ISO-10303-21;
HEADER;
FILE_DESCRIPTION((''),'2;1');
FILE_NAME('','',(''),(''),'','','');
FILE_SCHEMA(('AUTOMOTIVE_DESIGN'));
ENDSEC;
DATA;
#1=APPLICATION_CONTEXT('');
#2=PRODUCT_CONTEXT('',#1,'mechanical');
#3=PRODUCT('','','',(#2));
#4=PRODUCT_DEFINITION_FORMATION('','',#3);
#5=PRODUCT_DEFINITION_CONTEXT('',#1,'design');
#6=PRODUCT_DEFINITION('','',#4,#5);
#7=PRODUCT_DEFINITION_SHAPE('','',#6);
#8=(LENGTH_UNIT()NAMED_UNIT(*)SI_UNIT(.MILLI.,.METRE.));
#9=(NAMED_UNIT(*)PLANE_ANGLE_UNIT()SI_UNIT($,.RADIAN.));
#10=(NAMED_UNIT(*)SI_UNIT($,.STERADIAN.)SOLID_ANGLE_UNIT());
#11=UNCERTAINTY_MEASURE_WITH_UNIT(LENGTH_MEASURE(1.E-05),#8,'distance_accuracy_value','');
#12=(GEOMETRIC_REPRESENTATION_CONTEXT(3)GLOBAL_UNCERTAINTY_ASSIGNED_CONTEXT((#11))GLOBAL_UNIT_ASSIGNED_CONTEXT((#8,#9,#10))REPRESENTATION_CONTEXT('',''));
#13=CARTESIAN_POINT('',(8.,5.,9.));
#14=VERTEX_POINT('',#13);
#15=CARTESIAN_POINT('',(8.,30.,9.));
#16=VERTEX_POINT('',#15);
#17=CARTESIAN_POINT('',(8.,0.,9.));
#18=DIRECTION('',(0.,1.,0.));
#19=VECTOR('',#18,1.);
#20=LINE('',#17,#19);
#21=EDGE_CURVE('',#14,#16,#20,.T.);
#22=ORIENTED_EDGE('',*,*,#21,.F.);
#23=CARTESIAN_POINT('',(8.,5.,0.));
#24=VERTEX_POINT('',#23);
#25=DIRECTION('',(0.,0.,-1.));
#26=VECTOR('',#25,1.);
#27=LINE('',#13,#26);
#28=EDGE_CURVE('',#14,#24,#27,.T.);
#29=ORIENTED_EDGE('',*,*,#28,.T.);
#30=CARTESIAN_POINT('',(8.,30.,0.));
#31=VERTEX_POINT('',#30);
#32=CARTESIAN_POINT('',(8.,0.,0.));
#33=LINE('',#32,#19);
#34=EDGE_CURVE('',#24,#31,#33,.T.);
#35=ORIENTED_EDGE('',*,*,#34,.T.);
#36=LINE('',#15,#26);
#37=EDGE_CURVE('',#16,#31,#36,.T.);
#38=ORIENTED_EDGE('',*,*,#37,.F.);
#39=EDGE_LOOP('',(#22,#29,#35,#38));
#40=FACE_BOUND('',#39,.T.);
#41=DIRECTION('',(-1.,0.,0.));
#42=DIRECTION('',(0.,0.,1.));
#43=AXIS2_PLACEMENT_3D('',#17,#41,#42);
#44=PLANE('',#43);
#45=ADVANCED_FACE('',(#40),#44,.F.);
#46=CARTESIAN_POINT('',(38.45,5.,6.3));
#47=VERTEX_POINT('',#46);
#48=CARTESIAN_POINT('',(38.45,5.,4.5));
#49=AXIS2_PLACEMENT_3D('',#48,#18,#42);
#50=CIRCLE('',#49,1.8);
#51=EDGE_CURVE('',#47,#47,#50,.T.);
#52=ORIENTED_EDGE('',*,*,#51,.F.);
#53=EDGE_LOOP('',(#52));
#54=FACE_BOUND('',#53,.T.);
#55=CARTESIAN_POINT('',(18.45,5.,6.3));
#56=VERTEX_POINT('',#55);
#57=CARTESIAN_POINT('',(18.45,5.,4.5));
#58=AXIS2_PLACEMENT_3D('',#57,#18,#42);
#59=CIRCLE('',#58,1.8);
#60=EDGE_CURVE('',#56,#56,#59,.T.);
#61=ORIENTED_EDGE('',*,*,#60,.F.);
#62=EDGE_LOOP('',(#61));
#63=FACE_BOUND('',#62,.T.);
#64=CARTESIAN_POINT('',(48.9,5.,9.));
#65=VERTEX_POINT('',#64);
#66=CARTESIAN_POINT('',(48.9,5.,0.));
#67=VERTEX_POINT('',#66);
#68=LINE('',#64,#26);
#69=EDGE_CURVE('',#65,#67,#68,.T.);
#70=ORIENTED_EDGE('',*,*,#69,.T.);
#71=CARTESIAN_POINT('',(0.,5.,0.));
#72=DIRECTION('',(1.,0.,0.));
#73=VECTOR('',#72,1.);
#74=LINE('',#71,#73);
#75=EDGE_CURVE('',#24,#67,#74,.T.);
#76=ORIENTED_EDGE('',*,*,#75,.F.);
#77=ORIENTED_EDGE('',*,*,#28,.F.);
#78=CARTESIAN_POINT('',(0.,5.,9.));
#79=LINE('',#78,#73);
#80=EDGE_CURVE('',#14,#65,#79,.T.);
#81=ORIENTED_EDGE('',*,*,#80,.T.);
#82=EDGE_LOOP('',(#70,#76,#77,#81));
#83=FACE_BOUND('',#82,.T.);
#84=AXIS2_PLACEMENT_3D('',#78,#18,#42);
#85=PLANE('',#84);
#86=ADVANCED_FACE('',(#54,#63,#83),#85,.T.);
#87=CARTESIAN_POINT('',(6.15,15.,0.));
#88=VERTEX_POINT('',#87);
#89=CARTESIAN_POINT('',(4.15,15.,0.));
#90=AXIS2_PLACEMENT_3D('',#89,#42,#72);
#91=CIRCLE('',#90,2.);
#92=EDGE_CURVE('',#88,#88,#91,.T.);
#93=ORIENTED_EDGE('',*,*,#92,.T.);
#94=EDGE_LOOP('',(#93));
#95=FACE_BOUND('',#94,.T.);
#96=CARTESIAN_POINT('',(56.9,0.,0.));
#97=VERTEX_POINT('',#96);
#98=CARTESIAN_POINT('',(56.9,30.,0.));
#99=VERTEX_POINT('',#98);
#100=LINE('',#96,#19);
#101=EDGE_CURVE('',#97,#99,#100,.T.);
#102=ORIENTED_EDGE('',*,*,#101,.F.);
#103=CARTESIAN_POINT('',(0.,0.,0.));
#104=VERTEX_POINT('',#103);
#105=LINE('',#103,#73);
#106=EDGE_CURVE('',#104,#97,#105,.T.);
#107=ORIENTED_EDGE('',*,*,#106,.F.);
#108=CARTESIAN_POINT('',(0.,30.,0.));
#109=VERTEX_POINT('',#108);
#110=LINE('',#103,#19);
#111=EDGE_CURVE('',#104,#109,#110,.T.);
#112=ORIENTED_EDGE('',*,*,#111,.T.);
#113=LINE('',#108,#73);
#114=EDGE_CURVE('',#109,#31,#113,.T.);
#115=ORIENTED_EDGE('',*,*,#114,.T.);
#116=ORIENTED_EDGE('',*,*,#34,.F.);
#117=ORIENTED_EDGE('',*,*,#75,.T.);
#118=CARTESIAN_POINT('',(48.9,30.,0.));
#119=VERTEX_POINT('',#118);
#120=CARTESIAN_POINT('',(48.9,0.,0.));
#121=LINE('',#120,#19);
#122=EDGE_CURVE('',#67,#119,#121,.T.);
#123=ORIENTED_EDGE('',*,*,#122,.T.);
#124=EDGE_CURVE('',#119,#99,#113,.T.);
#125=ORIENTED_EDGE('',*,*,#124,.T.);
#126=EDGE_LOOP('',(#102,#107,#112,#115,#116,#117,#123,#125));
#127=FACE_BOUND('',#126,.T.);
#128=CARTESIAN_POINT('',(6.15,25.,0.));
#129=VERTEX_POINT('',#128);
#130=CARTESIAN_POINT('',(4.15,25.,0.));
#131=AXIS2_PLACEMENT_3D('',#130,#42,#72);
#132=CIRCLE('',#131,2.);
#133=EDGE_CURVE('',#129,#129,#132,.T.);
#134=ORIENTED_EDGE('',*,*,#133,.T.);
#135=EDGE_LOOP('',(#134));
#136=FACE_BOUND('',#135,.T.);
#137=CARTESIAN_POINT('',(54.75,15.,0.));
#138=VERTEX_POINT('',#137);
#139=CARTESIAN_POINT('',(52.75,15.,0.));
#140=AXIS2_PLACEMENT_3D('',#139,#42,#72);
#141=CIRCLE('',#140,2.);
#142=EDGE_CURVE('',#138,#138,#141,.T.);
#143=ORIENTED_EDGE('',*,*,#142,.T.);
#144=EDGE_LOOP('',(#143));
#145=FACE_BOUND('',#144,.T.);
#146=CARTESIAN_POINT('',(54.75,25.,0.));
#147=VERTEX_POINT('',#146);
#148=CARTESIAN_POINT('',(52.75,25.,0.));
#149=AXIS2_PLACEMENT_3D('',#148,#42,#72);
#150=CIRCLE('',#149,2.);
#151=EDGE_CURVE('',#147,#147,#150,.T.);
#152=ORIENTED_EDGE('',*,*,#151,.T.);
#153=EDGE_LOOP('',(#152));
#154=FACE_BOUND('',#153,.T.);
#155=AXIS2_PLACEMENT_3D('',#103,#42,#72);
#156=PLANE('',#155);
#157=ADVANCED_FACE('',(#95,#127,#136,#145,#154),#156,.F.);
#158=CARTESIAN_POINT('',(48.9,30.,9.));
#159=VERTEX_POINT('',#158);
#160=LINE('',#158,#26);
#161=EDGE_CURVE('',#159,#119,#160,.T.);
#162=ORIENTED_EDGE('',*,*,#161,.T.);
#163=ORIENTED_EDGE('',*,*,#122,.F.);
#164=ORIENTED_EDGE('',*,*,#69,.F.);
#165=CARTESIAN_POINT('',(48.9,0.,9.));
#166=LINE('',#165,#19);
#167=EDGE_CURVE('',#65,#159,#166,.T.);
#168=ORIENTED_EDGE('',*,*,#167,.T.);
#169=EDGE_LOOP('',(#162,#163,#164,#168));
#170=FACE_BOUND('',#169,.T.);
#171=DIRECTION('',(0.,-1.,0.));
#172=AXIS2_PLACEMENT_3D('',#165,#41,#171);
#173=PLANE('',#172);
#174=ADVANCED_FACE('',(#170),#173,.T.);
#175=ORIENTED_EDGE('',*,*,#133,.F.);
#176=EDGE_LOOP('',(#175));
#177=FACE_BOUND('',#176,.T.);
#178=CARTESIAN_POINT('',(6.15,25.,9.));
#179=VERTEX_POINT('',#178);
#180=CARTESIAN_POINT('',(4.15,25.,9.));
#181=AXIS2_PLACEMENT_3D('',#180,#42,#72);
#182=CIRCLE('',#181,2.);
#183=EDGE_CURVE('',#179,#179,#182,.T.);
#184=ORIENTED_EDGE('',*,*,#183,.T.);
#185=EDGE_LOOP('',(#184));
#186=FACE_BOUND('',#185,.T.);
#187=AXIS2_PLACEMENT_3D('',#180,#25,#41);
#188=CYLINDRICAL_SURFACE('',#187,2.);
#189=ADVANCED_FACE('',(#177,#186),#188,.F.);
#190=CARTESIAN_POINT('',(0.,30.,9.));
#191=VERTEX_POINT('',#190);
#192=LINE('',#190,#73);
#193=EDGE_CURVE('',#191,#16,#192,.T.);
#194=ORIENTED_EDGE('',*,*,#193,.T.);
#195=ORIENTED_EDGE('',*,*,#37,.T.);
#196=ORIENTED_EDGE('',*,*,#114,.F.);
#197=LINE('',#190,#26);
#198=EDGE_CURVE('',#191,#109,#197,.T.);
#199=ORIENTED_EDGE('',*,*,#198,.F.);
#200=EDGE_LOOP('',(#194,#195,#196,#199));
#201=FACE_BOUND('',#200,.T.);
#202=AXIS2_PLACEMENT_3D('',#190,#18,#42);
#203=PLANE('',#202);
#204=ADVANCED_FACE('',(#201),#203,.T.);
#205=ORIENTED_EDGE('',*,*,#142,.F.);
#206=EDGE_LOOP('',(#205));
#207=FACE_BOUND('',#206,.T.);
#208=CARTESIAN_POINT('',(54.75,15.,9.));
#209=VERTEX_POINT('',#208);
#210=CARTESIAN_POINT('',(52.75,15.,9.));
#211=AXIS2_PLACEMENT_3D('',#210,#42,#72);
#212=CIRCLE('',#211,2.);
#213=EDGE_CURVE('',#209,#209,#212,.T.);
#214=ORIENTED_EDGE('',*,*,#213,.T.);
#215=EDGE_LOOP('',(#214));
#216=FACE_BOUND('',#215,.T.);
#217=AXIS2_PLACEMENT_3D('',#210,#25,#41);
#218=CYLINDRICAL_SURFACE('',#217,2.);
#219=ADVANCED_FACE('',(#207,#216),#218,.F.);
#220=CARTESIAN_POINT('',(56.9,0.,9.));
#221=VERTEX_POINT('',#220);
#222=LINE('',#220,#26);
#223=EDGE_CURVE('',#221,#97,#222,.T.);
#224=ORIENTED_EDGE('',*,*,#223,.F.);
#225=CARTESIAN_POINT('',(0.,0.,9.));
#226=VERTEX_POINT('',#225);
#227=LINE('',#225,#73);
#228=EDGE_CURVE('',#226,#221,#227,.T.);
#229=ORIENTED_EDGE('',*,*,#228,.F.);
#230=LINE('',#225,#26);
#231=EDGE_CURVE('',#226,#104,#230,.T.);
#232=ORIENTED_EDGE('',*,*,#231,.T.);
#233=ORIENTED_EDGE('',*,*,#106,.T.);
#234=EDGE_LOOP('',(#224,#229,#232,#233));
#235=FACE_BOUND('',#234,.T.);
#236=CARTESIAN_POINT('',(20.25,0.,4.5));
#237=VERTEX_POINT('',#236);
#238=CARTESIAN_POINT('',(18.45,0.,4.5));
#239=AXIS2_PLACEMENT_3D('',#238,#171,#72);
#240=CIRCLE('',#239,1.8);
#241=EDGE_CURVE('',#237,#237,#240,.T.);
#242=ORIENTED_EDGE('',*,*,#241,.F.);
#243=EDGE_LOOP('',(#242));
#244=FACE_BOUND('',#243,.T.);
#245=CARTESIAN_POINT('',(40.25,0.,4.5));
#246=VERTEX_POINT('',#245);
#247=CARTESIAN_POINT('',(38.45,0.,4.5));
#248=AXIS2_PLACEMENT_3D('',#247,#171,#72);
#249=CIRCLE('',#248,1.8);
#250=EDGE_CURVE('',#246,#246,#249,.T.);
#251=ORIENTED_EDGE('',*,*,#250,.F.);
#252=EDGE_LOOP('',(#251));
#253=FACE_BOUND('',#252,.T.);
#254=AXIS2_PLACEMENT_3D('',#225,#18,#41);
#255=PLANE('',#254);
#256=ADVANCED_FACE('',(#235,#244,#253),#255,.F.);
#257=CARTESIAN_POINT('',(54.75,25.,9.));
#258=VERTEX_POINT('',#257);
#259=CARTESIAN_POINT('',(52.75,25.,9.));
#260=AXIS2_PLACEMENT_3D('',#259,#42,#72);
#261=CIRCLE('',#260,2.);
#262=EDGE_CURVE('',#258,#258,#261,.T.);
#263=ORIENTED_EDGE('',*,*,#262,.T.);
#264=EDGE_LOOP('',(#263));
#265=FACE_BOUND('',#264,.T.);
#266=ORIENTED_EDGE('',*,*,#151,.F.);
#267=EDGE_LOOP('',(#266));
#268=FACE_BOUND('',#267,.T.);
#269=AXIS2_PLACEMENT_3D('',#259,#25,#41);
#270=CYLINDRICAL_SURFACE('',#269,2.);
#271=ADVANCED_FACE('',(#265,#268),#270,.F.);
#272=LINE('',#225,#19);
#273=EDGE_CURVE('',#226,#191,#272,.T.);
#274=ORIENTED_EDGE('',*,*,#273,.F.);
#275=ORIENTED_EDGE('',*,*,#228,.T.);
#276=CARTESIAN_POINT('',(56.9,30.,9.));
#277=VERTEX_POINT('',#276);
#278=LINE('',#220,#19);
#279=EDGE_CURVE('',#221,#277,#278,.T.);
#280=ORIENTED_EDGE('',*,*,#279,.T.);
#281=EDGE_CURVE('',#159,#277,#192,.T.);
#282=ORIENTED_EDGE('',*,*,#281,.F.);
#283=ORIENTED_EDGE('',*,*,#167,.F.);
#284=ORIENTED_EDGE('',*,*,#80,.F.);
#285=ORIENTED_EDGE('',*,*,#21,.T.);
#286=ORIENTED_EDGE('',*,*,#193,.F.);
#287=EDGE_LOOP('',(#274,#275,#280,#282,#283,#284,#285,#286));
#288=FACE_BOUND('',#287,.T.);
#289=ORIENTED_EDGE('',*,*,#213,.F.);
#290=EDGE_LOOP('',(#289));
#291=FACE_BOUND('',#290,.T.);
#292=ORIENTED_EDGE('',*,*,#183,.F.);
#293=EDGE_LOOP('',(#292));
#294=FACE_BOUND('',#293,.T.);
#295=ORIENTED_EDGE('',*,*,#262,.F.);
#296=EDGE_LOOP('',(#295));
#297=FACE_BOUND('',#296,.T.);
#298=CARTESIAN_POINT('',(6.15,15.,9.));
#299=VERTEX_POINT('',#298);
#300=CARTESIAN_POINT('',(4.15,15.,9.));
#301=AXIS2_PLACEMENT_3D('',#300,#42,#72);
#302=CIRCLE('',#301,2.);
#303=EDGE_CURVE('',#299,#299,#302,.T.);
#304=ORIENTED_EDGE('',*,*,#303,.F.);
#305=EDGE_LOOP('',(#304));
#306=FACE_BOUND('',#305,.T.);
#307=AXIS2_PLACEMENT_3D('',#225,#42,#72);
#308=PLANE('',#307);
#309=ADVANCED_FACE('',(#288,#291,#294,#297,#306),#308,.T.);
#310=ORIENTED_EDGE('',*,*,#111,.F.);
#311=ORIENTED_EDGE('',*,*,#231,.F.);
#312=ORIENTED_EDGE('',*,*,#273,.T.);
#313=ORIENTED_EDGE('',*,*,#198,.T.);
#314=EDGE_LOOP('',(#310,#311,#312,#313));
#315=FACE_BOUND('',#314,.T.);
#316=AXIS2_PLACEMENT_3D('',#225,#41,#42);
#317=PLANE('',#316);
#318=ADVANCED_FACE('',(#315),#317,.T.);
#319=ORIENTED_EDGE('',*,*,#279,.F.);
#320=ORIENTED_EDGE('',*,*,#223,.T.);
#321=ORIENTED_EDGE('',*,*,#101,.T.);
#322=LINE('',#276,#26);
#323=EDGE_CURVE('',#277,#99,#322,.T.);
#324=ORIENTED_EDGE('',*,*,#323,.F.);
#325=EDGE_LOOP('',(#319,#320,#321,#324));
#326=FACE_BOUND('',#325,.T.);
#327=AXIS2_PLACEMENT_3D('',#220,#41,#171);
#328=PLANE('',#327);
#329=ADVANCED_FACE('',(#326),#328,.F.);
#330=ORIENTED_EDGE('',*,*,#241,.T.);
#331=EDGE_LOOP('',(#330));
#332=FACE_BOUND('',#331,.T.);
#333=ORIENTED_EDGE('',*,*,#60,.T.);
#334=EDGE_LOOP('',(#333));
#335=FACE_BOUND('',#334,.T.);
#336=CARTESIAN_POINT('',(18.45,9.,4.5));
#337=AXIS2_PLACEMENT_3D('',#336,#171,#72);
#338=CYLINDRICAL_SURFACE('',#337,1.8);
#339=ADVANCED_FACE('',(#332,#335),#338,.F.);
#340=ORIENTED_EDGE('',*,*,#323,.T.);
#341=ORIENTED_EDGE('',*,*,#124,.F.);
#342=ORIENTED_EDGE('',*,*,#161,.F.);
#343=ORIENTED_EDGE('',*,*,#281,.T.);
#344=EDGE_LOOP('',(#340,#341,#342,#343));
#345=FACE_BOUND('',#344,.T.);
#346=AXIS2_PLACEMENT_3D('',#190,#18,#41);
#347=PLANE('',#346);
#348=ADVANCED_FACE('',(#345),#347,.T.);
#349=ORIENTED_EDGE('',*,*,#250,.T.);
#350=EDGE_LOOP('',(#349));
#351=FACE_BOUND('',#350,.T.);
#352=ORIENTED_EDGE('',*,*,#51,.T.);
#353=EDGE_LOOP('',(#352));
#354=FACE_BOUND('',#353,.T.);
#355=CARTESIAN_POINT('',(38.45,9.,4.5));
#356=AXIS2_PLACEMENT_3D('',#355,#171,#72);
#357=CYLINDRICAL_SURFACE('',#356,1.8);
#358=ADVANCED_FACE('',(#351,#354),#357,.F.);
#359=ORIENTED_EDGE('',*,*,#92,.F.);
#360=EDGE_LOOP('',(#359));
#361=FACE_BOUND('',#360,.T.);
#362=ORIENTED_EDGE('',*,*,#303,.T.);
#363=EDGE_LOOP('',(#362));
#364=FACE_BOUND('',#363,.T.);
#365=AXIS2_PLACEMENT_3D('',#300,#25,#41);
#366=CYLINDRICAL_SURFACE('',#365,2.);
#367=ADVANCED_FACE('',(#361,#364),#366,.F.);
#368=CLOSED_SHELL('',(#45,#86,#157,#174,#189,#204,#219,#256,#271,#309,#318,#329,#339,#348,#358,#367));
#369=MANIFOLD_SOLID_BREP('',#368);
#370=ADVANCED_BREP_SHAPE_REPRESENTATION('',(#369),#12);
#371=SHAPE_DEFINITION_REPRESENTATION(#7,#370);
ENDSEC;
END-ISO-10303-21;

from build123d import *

# Parameters (mm, degrees)
ESQUISSE1_W             = 40.9
ESQUISSE1_H             = 5
ESQUISSE1_W_2           = 8
ESQUISSE1_H_2           = 30
ESQUISSE1_R             = 2
BOSS_EXTRU_1_DEPTH      = 9
ESQUISSE2_R             = 1.8
ENL_V_MAT_EXTRU_1_DEPTH = 9


with BuildPart() as part:
    # Esquisse1 → Boss.-Extru.1 (new body)
    # profile 1 of 3: a face of its own
    with BuildSketch(Plane.XY):
        with Locations((28.45, 2.5)):
            Rectangle(ESQUISSE1_W, ESQUISSE1_H)
    # profile 2 of 3: a face of its own
    with BuildSketch(Plane.XY):
        with Locations((4, 15)):
            Rectangle(ESQUISSE1_W_2, ESQUISSE1_H_2)
        with Locations((4.15, 15)):
            Circle(ESQUISSE1_R, mode=Mode.SUBTRACT)
        with Locations((4.15, 25)):
            Circle(ESQUISSE1_R, mode=Mode.SUBTRACT)
    # profile 3 of 3: a face of its own
    with BuildSketch(Plane.XY):
        Polygon((48.9, 5), (48.9, 0), (56.9, 0), (56.9, 30), (48.9, 30), align=None)
        with Locations((52.75, 15)):
            Circle(ESQUISSE1_R, mode=Mode.SUBTRACT)
        with Locations((52.75, 25)):
            Circle(ESQUISSE1_R, mode=Mode.SUBTRACT)
    extrude(amount=BOSS_EXTRU_1_DEPTH)

    # Esquisse2 → Enlèv. mat.-Extru.1 (cut)
    with BuildSketch(Plane.XZ):
        with Locations((18.45, 4.5)):
            Circle(ESQUISSE2_R)
        with Locations((38.45, 4.5)):
            Circle(ESQUISSE2_R)
    extrude(amount=-ENL_V_MAT_EXTRU_1_DEPTH, mode=Mode.SUBTRACT)


solid = part.part
